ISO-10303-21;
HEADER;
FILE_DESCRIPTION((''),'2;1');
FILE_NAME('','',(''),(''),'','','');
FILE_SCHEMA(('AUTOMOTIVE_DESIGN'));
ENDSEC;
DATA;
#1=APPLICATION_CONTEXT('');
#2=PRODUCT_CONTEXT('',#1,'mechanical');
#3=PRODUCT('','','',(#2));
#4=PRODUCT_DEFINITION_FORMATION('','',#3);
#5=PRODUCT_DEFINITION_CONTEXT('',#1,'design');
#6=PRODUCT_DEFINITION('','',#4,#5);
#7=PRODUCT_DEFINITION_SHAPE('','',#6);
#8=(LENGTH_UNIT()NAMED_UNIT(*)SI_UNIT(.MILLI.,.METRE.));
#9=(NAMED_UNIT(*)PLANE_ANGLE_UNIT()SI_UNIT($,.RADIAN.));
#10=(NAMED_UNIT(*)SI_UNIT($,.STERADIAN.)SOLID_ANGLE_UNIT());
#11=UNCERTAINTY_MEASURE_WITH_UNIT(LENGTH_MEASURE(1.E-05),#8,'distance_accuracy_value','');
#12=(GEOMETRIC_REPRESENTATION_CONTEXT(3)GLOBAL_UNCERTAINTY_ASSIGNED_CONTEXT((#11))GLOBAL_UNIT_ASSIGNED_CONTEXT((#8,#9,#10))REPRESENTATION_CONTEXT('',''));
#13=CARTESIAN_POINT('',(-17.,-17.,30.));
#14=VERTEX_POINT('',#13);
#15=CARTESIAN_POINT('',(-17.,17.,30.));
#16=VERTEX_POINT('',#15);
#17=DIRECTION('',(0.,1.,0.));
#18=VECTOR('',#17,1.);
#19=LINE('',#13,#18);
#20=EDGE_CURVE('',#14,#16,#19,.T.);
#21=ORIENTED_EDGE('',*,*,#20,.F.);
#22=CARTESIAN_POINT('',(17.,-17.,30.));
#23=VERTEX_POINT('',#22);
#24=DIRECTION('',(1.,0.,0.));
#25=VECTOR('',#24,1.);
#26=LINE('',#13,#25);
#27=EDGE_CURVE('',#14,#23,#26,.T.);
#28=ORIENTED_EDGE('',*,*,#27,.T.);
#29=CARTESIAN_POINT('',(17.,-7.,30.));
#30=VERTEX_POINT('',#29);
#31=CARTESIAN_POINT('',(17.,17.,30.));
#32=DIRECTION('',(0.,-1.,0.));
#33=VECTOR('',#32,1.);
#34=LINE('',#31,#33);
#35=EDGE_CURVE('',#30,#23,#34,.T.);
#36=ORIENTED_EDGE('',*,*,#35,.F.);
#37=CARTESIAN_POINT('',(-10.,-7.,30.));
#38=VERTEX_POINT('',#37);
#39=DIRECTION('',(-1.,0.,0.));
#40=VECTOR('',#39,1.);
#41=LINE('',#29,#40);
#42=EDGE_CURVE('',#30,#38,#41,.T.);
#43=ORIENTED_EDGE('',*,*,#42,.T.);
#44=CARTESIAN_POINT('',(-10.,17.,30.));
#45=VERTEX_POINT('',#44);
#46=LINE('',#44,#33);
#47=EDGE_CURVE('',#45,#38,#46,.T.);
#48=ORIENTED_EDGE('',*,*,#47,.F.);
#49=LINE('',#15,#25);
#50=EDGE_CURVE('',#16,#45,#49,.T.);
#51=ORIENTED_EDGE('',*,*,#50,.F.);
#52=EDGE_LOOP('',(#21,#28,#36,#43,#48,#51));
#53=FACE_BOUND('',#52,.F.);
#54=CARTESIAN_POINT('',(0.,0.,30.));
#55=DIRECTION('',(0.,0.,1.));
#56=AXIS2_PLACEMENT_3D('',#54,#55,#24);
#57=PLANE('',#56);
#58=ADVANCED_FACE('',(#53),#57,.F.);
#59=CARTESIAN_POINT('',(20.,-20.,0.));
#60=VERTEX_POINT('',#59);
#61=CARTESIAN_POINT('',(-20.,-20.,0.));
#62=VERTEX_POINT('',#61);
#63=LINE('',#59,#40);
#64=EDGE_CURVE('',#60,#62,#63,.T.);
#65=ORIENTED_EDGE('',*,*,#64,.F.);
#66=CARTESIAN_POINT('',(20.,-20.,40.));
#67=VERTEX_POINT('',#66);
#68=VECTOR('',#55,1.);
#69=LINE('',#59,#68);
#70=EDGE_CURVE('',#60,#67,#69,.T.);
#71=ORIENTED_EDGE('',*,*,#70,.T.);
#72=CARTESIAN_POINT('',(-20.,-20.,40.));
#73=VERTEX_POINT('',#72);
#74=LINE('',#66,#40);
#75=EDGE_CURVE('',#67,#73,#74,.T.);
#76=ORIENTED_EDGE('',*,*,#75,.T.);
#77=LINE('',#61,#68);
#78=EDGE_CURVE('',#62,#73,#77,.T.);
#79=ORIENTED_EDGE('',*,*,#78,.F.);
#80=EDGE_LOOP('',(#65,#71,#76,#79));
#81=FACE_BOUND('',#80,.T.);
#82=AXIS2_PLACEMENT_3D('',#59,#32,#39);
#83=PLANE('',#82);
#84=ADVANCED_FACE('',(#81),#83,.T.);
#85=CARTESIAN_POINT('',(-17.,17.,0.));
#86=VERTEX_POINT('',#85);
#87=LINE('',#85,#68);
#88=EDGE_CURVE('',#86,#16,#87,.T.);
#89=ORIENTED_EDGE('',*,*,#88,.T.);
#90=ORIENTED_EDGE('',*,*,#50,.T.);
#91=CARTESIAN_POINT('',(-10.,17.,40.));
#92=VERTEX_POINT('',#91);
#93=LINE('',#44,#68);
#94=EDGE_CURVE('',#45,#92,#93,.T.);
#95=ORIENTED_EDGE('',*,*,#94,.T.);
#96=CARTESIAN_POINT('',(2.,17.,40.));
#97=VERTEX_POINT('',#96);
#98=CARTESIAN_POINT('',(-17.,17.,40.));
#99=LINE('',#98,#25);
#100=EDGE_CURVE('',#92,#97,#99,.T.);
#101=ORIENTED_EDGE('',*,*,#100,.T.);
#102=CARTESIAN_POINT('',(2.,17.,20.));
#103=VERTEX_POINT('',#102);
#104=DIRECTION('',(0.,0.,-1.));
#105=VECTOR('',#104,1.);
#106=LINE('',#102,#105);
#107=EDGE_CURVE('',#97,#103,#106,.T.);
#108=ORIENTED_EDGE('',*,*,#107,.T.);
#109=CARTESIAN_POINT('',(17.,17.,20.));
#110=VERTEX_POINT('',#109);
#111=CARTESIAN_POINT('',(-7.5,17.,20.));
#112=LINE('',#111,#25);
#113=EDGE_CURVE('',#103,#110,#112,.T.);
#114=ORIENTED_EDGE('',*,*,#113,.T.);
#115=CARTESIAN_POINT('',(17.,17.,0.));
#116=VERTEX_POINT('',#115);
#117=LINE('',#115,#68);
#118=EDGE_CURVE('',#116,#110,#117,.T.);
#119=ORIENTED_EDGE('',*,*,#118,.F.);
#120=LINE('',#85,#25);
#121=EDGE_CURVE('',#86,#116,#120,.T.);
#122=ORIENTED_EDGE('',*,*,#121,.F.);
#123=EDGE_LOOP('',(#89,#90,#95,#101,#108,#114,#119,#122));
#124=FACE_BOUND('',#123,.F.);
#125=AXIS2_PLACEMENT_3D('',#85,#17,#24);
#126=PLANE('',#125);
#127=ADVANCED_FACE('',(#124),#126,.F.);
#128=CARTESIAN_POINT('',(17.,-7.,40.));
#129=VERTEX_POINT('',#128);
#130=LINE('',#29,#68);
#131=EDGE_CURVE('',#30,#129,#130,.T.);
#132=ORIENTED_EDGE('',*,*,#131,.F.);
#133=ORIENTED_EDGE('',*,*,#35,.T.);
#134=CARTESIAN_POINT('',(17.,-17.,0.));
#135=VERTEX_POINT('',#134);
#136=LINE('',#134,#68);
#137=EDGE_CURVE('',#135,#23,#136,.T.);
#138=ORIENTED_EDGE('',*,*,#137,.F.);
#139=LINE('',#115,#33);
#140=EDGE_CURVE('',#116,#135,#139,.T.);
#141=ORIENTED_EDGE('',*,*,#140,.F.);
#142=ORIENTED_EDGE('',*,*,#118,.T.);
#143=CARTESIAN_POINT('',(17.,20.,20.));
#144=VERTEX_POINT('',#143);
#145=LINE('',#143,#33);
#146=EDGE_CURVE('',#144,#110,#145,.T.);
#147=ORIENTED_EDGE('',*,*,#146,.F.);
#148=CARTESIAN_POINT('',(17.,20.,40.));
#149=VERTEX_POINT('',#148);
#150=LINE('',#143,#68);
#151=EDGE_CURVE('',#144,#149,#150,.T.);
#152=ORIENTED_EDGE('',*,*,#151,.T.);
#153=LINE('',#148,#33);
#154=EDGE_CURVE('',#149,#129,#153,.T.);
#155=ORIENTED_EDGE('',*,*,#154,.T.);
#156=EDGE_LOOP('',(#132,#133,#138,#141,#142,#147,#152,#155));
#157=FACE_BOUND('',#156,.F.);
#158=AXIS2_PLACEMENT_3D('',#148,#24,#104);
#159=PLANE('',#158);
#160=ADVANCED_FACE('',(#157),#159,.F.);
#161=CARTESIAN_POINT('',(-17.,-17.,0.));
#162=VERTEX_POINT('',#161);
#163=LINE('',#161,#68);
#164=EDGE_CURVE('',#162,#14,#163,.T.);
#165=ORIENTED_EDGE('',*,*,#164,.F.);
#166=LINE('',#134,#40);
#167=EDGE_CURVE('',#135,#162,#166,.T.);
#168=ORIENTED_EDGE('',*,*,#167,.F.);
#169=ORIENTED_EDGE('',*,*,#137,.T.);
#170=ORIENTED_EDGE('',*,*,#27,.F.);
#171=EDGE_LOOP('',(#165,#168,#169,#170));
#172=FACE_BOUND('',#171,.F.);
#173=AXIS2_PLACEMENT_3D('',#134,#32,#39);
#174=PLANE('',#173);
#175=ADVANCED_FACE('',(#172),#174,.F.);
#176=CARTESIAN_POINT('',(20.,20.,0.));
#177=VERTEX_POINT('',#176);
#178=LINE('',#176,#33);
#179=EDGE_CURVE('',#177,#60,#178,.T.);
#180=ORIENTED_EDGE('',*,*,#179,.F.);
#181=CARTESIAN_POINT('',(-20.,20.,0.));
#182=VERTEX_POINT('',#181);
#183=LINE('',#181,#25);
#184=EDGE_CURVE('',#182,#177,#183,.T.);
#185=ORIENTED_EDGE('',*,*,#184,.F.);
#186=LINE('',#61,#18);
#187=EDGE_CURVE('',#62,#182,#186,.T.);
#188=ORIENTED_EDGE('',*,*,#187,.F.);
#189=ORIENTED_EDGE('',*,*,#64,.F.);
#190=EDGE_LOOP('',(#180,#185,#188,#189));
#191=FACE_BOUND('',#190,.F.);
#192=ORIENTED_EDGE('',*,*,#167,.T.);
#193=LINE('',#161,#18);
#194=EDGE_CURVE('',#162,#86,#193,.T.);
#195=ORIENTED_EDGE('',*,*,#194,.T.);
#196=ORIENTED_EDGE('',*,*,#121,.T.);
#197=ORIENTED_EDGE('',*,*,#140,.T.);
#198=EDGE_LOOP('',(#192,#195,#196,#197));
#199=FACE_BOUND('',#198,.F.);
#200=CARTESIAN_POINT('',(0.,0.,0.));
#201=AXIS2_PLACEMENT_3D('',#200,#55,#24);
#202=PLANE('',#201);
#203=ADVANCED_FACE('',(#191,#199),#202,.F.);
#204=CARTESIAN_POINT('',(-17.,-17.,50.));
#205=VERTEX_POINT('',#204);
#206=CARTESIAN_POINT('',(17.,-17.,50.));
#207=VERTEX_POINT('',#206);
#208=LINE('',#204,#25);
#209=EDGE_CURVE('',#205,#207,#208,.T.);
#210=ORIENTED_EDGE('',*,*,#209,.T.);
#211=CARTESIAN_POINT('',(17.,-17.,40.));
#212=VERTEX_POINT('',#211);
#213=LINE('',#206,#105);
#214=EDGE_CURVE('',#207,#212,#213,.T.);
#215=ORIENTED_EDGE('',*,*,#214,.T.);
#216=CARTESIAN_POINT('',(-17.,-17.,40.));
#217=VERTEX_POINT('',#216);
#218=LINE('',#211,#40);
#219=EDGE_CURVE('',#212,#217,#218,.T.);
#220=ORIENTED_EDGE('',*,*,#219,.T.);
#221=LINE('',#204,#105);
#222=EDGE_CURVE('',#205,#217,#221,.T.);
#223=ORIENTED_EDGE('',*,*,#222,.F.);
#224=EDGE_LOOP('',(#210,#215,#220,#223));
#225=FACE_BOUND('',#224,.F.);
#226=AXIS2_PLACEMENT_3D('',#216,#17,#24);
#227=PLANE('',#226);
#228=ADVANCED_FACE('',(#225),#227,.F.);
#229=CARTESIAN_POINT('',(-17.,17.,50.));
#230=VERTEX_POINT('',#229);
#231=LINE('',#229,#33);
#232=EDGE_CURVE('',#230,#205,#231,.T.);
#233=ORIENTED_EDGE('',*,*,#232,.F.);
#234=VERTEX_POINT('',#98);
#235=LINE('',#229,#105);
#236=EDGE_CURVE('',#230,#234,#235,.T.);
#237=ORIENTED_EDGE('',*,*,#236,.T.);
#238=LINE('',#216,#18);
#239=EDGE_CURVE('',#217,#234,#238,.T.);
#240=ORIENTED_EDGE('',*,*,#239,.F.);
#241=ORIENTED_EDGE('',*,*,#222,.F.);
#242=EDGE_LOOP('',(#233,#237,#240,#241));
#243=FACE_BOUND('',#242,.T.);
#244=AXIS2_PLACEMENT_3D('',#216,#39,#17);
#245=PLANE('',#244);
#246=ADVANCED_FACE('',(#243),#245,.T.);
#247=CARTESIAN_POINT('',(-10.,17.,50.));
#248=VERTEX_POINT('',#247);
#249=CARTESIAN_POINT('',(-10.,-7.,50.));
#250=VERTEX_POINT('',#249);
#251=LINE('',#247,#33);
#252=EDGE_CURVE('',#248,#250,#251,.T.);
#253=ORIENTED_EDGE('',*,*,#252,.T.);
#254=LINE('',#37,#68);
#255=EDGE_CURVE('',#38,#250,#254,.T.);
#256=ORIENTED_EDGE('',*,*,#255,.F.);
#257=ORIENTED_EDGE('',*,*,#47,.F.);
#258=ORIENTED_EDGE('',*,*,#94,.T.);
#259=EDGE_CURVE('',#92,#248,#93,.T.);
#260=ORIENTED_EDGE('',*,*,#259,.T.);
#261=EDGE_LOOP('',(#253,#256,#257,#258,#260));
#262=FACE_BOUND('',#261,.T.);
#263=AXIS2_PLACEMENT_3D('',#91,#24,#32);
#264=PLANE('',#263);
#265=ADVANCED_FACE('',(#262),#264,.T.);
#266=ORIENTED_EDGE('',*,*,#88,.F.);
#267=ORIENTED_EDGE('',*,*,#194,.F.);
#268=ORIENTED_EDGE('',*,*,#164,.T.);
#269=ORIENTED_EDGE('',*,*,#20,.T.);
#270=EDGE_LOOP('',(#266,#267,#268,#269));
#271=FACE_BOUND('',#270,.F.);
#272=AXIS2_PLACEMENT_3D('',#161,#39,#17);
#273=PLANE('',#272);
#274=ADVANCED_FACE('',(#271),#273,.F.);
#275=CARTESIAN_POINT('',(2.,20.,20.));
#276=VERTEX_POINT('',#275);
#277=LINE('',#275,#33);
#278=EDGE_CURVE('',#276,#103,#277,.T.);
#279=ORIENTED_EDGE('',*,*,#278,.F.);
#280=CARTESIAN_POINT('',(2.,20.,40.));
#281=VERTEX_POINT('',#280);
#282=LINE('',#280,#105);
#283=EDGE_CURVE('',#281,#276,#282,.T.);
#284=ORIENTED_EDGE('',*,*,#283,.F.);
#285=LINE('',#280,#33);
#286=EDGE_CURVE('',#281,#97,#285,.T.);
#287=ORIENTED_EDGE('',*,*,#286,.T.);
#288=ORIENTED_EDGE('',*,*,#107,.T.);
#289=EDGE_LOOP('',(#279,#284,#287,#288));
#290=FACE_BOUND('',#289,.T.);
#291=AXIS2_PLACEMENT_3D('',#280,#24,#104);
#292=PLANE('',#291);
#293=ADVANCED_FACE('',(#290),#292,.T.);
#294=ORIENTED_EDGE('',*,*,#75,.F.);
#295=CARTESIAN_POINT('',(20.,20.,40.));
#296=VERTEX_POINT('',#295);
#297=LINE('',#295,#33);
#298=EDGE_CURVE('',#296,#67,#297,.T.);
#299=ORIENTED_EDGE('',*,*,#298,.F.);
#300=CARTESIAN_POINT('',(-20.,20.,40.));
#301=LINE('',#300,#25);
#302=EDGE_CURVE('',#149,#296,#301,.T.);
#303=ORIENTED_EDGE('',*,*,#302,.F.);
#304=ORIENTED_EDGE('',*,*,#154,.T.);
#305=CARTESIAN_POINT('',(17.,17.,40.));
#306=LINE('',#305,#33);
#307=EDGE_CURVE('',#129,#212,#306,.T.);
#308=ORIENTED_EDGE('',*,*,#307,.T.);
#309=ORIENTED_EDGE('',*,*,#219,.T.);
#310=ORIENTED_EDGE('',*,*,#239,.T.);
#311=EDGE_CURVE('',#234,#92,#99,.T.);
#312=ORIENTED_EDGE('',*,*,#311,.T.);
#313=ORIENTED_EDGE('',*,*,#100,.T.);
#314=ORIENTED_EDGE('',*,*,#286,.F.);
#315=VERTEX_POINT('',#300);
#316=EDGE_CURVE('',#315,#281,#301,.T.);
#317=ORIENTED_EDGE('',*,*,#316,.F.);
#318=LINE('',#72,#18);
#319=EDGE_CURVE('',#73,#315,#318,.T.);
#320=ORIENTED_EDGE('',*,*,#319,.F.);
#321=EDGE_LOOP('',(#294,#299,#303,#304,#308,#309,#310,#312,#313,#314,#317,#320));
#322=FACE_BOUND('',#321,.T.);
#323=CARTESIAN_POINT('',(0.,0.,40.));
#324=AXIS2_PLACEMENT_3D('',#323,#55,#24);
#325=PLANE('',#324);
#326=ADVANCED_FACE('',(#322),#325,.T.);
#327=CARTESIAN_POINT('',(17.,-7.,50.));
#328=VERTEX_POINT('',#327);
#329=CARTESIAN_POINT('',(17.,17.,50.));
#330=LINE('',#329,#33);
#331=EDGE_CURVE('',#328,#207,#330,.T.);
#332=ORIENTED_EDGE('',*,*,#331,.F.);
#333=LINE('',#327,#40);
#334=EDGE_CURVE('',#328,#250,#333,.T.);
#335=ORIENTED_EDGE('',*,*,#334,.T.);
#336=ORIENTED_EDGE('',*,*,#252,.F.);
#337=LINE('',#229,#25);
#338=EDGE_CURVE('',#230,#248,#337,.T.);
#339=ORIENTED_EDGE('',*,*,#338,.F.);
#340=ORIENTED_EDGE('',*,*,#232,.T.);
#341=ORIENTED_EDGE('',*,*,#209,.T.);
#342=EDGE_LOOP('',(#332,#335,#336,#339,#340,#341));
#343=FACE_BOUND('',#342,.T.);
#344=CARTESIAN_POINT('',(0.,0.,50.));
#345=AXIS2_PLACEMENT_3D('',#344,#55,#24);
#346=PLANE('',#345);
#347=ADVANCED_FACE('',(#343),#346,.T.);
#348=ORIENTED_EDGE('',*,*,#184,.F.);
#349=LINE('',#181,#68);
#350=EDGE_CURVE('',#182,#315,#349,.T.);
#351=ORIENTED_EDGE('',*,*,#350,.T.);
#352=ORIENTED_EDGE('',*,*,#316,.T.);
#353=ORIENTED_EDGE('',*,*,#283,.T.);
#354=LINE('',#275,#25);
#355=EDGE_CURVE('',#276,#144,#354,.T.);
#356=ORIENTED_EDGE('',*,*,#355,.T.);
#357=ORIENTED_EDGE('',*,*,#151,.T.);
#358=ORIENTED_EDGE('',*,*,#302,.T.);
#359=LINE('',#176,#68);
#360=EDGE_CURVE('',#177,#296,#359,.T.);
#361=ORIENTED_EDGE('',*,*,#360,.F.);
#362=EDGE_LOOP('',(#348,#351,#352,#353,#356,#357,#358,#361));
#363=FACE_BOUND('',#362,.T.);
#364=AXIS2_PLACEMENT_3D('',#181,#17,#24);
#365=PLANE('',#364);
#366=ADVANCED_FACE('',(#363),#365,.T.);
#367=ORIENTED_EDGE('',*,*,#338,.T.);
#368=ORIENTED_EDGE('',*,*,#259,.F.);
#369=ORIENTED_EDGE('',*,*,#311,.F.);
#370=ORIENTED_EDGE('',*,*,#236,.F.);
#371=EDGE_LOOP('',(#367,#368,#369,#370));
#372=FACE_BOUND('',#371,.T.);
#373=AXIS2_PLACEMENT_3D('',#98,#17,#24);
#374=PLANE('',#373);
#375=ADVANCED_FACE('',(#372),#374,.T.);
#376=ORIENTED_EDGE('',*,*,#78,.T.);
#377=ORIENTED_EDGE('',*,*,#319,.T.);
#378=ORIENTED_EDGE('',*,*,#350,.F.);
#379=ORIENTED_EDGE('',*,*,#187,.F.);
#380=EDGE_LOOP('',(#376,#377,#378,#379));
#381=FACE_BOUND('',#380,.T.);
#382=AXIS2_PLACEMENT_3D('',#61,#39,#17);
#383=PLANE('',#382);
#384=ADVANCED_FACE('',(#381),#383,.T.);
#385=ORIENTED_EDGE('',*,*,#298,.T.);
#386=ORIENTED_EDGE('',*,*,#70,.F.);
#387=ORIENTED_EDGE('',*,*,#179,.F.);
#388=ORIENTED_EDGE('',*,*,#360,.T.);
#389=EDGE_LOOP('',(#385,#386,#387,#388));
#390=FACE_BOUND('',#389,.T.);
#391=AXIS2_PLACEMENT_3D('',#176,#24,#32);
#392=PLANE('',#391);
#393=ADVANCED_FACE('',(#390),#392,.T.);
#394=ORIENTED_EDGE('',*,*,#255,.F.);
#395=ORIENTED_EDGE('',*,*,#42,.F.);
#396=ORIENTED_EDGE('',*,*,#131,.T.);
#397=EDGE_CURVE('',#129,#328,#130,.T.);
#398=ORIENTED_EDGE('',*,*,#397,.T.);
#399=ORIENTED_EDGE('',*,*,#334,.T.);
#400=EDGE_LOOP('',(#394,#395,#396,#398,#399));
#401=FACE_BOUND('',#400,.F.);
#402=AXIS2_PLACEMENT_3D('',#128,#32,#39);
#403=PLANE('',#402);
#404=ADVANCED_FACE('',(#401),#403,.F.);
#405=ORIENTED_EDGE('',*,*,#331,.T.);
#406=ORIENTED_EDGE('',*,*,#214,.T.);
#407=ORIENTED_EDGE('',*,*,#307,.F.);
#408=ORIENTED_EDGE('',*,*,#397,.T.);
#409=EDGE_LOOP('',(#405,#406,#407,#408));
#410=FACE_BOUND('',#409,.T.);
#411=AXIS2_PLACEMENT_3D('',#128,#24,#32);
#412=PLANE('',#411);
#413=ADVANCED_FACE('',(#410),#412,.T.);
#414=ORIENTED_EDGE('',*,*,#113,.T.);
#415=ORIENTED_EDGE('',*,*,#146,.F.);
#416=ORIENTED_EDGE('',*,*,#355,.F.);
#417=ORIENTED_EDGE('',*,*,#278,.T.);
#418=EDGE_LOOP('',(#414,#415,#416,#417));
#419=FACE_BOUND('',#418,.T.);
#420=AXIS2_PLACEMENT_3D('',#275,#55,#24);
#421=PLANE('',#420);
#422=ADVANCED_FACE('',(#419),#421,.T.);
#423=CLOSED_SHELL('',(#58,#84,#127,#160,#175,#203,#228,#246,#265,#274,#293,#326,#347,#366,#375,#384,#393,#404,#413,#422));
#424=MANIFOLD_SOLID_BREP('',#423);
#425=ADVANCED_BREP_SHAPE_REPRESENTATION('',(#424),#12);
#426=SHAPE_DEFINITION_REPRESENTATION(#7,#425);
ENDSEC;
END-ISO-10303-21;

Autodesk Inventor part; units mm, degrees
ref_plane "YZ Plane" through (0, 0, 0) normal (1, 0, 0) x (0, 1, 0)
ref_plane "XZ Plane" through (0, 0, 0) normal (0, 1, 0) x (-1, 0, 0)
ref_plane "XY Plane" through (0, 0, 0) normal (0, 0, 1) x (1, 0, 0)
sketch "スケッチ1" plane through (0, 0, 0) normal (0, 0, 1) x (1, 0, 0)
  line L0 (-17, 17) -> (17, 17)
  line L1 (17, 17) -> (17, -17)
  line L2 (17, -17) -> (-17, -17)
  line L3 (-17, -17) -> (-17, 17)
  line L4 (-17, 17) -> (17, -17) construction
  line L5 (17, 17) -> (-17, -17) construction
  line L6 (-20, 20) -> (20, 20)
  line L7 (20, 20) -> (20, -20)
  line L8 (20, -20) -> (-20, -20)
  line L9 (-20, -20) -> (-20, 20)
  line L10 (-20, 20) -> (20, -20) construction
  line L11 (20, 20) -> (-20, -20) construction
  point P0 (0, 0)
  dimension "d0" = 34
  dimension "d1" = 34
  dimension "d2" = 40
  dimension "d3" = 40
extrude "押し出し1" add sketch "スケッチ1" along normal blind 40
sketch "スケッチ2" plane through (0, 0, 40) normal (0, 0, 1) x (1, 0, 0)
  line L0 (17, 17) -> (17, -17) projected
  line L1 (-17, -17) -> (-17, 17) projected
  line L2 (-17, -17) -> (17, -17)
  line L3 (17, -17) -> (17, -7)
  line L4 (17, -7) -> (-17, -7)
  line L5 (-17, -7) -> (-17, -17)
  line L6 (-17, 17) -> (-10, 17)
  line L7 (-10, 17) -> (-10, -7)
  line L8 (-10, -7) -> (-17, -7)
  line L9 (-17, -7) -> (-17, 17)
  point P0 (0, 0)
  dimension "d6" = 10
  dimension "d7" = 7
extrude "押し出し2" add sketch "スケッチ2" along normal blind 10 and the other way blind 10
sketch "スケッチ3" plane through (-20, 20, 0) normal (0, 1, 0) x (1, 0, 0)
  line L0 (40, -40) -> (37, -40)
  line L1 (37, -40) -> (37, -30)
  line L2 (37, -30) -> (40, -30)
  line L3 (40, -30) -> (40, -40)
  line L4 (37, -40) -> (22, -40)
  line L5 (22, -40) -> (22, -20)
  line L6 (22, -20) -> (37, -20)
  line L7 (37, -20) -> (37, -40)
  point P0 (20, 0)
  dimension "d12" = 3
  dimension "d13" = 10
  dimension "d14" = 15
  dimension "d15" = 20
extrude "押し出し3" cut sketch "スケッチ3" against normal blind 10 contours L4 L5 L6 L7 L1
properties part number "知能ロボコン角材延長"
